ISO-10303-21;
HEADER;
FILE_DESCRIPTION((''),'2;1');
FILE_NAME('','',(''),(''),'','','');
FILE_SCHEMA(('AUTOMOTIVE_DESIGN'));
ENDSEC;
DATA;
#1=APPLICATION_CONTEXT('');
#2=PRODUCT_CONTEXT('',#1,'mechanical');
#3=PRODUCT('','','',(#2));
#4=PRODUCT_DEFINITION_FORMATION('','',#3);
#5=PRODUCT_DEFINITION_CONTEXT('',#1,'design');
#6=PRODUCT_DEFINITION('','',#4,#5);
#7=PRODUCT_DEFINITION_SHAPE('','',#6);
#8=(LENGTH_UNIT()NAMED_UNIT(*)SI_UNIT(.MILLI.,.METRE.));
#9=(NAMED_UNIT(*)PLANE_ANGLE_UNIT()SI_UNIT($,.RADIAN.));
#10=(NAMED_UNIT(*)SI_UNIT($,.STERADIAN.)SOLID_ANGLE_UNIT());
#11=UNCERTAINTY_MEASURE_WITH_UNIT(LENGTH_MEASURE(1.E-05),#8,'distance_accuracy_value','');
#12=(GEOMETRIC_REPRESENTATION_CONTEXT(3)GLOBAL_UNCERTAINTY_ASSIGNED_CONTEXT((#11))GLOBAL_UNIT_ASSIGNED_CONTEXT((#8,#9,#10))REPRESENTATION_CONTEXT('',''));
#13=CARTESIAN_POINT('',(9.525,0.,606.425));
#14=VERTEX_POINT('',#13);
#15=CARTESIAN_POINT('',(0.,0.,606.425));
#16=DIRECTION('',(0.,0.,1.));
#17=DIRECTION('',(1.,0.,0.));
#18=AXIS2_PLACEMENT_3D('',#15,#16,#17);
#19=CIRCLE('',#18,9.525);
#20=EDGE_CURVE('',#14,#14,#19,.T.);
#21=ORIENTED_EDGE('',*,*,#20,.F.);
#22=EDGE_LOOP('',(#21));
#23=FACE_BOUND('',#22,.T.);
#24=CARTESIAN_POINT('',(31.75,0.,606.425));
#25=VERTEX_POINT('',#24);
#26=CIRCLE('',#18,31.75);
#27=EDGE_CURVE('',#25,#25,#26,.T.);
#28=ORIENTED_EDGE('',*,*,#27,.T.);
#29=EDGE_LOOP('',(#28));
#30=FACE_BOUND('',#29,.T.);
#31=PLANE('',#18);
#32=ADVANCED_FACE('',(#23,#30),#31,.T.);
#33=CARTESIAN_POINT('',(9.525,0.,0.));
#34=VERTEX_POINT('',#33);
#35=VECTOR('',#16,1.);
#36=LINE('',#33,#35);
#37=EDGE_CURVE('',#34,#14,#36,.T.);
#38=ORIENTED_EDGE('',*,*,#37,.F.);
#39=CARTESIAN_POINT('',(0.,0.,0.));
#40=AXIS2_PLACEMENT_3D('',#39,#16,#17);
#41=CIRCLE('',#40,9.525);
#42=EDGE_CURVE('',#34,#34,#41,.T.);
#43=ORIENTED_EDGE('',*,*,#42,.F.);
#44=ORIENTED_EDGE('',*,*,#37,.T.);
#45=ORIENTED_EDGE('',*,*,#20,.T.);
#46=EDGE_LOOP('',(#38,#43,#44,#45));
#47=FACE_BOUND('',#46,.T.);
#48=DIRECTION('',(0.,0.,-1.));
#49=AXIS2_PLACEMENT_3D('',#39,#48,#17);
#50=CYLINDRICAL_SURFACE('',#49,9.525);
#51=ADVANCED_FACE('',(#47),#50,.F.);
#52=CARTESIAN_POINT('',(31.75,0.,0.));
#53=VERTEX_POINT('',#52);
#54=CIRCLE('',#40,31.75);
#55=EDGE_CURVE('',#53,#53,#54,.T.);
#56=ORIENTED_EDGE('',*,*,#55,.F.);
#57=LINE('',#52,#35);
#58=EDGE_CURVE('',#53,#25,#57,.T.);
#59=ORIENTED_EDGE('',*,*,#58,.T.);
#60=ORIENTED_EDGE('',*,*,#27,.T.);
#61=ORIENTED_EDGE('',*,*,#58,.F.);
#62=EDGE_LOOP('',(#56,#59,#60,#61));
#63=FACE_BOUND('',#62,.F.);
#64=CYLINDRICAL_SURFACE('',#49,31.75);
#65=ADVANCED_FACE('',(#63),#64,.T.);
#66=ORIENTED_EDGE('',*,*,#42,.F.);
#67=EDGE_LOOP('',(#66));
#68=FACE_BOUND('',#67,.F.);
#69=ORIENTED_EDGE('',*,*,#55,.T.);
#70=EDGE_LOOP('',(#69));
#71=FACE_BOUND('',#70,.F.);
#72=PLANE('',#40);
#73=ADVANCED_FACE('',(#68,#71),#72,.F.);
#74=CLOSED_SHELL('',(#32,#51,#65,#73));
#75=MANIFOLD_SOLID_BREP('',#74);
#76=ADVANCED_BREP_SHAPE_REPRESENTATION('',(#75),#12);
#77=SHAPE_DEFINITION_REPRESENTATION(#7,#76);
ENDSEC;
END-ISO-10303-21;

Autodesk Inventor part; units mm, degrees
ref_plane "YZ Plane" through (0, 0, 0) normal (1, 0, 0) x (0, 1, 0)
ref_plane "XZ Plane" through (0, 0, 0) normal (0, 1, 0) x (-1, 0, 0)
ref_plane "XY Plane" through (0, 0, 0) normal (0, 0, 1) x (1, 0, 0)
sketch "Sketch1" plane through (0, 0, 0) normal (0, 0, 1) x (1, 0, 0)
  circle A0 centre (0, 0) radius 31.75
  circle A1 centre (0, 0) radius 9.525
  dimension "d0" = 63.5
  dimension "d1" = 19.05
extrude "Extrusion1" add sketch "Sketch1" along normal blind 606.425
properties part number "Pool Noodle Part1 (24x28 robot)"
